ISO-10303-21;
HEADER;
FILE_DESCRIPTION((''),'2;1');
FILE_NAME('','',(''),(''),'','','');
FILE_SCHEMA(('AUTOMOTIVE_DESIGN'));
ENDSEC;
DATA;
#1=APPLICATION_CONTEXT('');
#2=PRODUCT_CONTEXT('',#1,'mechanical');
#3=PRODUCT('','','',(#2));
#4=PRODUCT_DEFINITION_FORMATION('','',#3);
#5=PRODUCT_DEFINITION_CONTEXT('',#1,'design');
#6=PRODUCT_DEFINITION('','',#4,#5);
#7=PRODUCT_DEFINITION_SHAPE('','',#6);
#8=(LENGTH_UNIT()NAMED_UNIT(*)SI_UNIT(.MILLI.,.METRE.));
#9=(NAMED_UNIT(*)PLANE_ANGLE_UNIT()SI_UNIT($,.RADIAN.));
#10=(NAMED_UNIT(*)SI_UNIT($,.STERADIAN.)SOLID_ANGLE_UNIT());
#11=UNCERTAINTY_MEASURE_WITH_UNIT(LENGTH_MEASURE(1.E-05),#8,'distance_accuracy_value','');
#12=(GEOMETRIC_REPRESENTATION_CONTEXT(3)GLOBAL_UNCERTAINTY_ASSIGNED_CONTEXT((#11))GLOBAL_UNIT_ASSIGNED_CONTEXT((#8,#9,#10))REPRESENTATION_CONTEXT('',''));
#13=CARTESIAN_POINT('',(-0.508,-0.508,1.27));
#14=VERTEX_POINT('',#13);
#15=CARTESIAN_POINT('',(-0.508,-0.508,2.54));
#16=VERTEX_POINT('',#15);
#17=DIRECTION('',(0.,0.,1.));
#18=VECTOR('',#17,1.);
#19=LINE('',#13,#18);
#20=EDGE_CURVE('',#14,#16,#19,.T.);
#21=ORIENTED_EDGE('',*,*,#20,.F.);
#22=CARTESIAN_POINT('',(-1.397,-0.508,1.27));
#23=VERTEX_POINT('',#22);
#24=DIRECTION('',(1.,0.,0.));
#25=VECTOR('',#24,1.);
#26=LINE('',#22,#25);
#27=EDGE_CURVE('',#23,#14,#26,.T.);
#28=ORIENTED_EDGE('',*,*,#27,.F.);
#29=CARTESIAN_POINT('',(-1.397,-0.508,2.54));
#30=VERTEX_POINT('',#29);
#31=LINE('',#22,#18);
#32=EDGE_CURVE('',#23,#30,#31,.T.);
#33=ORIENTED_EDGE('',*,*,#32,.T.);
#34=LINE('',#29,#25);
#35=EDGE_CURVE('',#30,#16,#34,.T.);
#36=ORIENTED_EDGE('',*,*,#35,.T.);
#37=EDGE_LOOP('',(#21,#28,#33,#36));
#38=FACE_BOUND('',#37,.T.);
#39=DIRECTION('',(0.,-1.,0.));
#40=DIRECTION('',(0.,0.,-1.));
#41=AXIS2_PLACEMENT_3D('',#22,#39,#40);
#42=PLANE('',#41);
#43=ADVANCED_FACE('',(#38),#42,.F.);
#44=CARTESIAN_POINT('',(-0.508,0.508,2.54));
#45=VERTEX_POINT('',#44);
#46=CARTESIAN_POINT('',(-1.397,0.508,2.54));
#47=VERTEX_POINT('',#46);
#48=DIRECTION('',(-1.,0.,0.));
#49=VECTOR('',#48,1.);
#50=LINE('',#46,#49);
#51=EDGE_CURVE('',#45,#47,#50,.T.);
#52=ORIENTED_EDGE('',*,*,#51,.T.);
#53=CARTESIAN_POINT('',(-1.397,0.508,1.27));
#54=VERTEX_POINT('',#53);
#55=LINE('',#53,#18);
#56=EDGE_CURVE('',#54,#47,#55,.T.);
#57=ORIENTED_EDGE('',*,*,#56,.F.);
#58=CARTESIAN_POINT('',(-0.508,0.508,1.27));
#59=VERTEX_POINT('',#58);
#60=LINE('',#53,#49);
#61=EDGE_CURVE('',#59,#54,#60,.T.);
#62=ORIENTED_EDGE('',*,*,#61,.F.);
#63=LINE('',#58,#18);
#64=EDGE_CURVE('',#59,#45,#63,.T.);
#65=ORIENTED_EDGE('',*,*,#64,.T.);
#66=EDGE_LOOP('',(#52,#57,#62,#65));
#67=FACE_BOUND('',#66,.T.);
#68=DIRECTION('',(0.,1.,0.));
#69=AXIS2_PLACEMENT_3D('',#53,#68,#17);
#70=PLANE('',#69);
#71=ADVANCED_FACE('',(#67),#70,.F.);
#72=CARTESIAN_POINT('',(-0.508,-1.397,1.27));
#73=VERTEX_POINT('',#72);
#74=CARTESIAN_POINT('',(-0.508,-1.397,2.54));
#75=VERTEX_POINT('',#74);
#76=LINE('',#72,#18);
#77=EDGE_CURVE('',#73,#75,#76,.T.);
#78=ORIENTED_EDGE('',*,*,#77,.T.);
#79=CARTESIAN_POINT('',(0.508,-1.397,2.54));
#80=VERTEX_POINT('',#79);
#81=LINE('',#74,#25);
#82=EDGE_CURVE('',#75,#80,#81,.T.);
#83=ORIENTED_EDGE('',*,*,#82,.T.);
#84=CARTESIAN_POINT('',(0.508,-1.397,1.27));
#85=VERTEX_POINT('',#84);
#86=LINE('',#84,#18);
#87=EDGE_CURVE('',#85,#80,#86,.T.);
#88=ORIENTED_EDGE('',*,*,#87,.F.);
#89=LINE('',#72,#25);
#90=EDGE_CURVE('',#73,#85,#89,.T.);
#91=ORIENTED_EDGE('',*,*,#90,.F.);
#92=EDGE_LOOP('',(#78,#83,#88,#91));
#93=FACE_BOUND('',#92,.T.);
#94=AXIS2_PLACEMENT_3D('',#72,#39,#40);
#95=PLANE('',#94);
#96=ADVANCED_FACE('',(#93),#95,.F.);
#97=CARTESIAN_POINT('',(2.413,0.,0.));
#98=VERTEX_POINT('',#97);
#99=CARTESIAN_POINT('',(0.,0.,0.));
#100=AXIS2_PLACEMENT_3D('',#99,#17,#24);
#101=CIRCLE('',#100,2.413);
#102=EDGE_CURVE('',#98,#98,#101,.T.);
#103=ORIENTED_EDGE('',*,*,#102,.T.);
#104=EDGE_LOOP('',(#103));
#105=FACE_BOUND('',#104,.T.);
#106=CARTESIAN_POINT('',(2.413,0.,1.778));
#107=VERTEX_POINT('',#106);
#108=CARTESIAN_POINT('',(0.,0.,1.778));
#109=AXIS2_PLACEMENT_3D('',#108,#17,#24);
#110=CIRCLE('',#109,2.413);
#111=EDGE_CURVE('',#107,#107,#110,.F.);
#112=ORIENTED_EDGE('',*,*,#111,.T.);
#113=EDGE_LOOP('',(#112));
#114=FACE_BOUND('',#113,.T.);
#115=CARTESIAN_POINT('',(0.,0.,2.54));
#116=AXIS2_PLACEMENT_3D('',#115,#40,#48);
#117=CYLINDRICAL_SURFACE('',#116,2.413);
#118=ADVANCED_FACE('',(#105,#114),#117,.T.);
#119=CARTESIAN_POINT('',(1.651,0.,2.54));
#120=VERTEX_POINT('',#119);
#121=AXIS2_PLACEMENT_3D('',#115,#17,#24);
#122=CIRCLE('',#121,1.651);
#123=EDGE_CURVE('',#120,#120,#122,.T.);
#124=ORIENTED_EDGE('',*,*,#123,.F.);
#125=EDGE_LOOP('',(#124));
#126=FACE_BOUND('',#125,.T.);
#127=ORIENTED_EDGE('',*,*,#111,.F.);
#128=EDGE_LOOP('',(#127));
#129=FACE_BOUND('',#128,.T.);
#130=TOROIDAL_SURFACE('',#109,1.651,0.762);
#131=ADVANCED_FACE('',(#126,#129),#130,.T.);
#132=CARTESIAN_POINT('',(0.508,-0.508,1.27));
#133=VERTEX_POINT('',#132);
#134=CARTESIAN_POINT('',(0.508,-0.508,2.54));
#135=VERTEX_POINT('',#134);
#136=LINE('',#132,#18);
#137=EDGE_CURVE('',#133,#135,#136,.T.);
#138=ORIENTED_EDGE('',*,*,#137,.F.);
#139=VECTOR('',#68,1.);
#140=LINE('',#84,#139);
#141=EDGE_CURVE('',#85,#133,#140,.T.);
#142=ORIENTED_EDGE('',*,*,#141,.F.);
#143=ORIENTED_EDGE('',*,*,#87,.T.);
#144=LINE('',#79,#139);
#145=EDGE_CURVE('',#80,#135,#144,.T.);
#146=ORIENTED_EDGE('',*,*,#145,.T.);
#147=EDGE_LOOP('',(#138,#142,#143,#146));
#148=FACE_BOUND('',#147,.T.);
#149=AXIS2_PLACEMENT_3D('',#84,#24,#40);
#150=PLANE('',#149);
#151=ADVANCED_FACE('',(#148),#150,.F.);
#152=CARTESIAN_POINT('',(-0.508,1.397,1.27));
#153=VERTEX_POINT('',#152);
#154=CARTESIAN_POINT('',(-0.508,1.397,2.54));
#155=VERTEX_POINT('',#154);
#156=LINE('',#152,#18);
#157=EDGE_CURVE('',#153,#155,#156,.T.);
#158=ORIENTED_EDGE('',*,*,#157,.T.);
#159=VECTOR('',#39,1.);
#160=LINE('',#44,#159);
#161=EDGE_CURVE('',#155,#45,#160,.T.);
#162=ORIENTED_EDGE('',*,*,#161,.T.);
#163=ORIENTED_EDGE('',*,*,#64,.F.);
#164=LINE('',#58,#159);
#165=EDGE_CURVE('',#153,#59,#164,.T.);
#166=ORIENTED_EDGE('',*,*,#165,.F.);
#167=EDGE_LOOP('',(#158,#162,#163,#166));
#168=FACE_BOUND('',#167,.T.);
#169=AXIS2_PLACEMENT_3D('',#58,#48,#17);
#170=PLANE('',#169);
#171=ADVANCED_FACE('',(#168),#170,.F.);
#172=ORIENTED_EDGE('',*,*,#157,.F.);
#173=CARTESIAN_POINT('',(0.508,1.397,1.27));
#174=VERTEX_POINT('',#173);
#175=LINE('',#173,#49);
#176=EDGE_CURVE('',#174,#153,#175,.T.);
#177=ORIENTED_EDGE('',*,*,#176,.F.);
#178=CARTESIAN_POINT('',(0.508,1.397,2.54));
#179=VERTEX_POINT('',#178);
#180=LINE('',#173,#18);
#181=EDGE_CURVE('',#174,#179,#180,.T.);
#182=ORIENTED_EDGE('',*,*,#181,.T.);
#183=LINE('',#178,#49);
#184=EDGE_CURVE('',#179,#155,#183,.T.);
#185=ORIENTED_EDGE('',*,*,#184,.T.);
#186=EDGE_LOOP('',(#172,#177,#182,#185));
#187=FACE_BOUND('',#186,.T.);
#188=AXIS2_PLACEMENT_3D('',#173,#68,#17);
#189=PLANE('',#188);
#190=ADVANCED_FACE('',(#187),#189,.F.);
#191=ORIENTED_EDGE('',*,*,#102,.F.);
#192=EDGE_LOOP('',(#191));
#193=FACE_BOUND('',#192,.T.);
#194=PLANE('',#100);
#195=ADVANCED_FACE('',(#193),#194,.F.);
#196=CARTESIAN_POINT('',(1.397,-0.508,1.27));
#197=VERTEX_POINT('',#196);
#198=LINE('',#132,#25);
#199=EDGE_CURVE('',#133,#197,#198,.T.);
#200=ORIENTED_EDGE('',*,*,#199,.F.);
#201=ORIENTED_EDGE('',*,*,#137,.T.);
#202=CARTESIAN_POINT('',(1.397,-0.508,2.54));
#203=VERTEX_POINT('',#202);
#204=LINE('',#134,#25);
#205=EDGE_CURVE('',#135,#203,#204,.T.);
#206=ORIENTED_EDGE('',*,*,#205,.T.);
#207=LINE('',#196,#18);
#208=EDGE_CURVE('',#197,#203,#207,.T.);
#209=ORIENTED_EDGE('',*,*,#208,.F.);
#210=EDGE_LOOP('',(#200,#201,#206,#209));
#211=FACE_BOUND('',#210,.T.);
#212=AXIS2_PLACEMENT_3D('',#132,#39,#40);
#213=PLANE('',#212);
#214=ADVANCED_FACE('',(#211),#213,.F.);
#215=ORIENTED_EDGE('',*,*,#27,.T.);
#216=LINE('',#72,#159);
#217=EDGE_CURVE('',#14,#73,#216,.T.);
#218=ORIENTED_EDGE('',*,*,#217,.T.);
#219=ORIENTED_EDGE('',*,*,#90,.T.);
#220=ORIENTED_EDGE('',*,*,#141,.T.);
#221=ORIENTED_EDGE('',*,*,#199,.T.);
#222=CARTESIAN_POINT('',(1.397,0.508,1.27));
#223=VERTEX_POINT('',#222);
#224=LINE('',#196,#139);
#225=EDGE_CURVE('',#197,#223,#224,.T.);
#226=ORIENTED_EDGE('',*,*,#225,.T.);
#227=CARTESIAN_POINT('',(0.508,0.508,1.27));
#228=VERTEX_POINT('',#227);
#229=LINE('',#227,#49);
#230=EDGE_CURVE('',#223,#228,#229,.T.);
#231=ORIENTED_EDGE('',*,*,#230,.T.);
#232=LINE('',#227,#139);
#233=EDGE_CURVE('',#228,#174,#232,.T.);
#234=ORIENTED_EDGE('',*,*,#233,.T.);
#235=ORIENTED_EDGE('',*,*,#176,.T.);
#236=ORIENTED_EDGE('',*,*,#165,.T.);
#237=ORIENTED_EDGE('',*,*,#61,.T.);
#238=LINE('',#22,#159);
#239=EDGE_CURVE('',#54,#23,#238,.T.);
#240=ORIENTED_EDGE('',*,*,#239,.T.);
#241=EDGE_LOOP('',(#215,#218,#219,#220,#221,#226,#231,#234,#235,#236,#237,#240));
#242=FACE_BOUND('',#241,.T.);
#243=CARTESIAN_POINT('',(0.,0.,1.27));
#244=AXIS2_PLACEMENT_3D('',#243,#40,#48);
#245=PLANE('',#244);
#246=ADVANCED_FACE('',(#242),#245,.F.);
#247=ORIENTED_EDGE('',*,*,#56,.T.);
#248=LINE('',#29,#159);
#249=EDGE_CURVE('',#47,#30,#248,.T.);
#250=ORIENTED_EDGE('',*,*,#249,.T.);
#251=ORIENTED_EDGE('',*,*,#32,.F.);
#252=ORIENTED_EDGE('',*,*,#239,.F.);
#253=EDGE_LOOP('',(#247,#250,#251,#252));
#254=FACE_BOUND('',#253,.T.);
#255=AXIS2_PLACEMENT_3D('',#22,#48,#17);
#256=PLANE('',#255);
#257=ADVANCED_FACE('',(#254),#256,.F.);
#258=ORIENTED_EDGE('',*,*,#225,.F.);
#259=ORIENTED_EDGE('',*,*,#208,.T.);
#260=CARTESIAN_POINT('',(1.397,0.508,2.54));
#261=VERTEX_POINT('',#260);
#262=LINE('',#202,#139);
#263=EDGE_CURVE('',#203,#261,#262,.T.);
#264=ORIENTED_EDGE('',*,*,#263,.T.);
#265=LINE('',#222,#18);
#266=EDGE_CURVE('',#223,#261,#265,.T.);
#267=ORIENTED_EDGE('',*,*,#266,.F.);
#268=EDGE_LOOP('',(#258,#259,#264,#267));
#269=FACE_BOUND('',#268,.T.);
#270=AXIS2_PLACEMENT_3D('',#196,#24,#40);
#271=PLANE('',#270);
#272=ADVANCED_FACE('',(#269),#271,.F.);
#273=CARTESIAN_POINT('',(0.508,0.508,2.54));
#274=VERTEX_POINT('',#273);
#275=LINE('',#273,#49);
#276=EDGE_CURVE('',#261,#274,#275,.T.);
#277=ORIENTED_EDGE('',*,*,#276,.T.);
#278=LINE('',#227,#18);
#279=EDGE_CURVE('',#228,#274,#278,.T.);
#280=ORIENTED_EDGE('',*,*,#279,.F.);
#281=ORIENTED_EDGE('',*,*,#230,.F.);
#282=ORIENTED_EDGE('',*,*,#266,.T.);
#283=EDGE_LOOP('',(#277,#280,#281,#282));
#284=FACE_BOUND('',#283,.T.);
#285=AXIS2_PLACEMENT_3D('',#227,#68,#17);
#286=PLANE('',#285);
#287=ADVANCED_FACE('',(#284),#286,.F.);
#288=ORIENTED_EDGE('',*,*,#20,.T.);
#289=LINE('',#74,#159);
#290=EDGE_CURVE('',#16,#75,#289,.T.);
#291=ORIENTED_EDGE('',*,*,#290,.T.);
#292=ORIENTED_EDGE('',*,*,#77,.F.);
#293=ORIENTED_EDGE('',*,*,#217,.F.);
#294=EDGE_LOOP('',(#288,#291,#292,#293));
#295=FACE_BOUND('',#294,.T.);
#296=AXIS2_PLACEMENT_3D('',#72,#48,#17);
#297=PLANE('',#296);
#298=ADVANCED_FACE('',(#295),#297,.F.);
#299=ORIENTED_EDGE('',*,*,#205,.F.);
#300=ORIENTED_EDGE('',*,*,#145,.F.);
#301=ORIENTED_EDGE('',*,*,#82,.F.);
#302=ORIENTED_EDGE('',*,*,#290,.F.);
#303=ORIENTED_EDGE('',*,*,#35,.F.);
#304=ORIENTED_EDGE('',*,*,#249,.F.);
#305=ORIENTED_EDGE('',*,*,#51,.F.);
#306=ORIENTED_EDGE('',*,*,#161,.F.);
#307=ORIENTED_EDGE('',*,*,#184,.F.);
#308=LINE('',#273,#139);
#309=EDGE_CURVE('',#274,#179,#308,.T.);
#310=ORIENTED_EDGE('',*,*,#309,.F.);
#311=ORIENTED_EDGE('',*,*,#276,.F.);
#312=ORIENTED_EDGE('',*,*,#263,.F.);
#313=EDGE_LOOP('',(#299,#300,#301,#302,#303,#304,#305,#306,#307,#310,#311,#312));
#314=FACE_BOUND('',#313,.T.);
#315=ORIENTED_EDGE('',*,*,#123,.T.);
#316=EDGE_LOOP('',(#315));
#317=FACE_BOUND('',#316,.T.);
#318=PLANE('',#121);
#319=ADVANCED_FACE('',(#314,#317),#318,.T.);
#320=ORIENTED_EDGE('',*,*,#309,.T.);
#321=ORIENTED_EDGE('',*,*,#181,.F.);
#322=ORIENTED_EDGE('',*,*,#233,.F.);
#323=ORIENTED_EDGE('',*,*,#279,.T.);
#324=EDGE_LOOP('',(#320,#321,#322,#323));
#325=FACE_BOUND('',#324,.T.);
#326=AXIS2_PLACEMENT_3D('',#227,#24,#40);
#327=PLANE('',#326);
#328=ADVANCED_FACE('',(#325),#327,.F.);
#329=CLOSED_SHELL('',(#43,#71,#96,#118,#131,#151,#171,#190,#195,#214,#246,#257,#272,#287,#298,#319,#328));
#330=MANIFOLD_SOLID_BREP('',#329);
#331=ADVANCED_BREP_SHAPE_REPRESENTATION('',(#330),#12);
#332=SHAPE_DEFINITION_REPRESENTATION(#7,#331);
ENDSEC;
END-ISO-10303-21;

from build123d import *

# Parameters (mm, degrees)
SKETCH1_R           = 2.413
BOSS_EXTRUDE1_DEPTH = 2.54
CUT_EXTRUDE1_DEPTH  = 1.27
FILLET1_R           = 0.762


with BuildPart() as part:
    # Sketch1 → Boss-Extrude1 (new body)
    with BuildSketch(Plane.XY):
        Circle(SKETCH1_R)
    extrude(amount=BOSS_EXTRUDE1_DEPTH)

    # Sketch2 → Cut-Extrude1 (cut)
    with BuildSketch(Plane.XY.offset(2.54)):
        Polygon((-0.508, 0.508), (-0.508, 1.397), (0.508, 1.397), (0.508, 0.508), (1.397, 0.508), (1.397, -0.508), (0.508, -0.508), (0.508, -1.397), (-0.508, -1.397), (-0.508, -0.508), (-1.397, -0.508), (-1.397, 0.508), align=None)
    extrude(amount=-CUT_EXTRUDE1_DEPTH, mode=Mode.SUBTRACT)

    # Fillet1
    fillet1_edges = [part.edges().sort_by_distance(p)[0] for p in [
        (-2.413, 0, 2.54),
    ]]
    fillet(fillet1_edges, radius=FILLET1_R)


solid = part.part
